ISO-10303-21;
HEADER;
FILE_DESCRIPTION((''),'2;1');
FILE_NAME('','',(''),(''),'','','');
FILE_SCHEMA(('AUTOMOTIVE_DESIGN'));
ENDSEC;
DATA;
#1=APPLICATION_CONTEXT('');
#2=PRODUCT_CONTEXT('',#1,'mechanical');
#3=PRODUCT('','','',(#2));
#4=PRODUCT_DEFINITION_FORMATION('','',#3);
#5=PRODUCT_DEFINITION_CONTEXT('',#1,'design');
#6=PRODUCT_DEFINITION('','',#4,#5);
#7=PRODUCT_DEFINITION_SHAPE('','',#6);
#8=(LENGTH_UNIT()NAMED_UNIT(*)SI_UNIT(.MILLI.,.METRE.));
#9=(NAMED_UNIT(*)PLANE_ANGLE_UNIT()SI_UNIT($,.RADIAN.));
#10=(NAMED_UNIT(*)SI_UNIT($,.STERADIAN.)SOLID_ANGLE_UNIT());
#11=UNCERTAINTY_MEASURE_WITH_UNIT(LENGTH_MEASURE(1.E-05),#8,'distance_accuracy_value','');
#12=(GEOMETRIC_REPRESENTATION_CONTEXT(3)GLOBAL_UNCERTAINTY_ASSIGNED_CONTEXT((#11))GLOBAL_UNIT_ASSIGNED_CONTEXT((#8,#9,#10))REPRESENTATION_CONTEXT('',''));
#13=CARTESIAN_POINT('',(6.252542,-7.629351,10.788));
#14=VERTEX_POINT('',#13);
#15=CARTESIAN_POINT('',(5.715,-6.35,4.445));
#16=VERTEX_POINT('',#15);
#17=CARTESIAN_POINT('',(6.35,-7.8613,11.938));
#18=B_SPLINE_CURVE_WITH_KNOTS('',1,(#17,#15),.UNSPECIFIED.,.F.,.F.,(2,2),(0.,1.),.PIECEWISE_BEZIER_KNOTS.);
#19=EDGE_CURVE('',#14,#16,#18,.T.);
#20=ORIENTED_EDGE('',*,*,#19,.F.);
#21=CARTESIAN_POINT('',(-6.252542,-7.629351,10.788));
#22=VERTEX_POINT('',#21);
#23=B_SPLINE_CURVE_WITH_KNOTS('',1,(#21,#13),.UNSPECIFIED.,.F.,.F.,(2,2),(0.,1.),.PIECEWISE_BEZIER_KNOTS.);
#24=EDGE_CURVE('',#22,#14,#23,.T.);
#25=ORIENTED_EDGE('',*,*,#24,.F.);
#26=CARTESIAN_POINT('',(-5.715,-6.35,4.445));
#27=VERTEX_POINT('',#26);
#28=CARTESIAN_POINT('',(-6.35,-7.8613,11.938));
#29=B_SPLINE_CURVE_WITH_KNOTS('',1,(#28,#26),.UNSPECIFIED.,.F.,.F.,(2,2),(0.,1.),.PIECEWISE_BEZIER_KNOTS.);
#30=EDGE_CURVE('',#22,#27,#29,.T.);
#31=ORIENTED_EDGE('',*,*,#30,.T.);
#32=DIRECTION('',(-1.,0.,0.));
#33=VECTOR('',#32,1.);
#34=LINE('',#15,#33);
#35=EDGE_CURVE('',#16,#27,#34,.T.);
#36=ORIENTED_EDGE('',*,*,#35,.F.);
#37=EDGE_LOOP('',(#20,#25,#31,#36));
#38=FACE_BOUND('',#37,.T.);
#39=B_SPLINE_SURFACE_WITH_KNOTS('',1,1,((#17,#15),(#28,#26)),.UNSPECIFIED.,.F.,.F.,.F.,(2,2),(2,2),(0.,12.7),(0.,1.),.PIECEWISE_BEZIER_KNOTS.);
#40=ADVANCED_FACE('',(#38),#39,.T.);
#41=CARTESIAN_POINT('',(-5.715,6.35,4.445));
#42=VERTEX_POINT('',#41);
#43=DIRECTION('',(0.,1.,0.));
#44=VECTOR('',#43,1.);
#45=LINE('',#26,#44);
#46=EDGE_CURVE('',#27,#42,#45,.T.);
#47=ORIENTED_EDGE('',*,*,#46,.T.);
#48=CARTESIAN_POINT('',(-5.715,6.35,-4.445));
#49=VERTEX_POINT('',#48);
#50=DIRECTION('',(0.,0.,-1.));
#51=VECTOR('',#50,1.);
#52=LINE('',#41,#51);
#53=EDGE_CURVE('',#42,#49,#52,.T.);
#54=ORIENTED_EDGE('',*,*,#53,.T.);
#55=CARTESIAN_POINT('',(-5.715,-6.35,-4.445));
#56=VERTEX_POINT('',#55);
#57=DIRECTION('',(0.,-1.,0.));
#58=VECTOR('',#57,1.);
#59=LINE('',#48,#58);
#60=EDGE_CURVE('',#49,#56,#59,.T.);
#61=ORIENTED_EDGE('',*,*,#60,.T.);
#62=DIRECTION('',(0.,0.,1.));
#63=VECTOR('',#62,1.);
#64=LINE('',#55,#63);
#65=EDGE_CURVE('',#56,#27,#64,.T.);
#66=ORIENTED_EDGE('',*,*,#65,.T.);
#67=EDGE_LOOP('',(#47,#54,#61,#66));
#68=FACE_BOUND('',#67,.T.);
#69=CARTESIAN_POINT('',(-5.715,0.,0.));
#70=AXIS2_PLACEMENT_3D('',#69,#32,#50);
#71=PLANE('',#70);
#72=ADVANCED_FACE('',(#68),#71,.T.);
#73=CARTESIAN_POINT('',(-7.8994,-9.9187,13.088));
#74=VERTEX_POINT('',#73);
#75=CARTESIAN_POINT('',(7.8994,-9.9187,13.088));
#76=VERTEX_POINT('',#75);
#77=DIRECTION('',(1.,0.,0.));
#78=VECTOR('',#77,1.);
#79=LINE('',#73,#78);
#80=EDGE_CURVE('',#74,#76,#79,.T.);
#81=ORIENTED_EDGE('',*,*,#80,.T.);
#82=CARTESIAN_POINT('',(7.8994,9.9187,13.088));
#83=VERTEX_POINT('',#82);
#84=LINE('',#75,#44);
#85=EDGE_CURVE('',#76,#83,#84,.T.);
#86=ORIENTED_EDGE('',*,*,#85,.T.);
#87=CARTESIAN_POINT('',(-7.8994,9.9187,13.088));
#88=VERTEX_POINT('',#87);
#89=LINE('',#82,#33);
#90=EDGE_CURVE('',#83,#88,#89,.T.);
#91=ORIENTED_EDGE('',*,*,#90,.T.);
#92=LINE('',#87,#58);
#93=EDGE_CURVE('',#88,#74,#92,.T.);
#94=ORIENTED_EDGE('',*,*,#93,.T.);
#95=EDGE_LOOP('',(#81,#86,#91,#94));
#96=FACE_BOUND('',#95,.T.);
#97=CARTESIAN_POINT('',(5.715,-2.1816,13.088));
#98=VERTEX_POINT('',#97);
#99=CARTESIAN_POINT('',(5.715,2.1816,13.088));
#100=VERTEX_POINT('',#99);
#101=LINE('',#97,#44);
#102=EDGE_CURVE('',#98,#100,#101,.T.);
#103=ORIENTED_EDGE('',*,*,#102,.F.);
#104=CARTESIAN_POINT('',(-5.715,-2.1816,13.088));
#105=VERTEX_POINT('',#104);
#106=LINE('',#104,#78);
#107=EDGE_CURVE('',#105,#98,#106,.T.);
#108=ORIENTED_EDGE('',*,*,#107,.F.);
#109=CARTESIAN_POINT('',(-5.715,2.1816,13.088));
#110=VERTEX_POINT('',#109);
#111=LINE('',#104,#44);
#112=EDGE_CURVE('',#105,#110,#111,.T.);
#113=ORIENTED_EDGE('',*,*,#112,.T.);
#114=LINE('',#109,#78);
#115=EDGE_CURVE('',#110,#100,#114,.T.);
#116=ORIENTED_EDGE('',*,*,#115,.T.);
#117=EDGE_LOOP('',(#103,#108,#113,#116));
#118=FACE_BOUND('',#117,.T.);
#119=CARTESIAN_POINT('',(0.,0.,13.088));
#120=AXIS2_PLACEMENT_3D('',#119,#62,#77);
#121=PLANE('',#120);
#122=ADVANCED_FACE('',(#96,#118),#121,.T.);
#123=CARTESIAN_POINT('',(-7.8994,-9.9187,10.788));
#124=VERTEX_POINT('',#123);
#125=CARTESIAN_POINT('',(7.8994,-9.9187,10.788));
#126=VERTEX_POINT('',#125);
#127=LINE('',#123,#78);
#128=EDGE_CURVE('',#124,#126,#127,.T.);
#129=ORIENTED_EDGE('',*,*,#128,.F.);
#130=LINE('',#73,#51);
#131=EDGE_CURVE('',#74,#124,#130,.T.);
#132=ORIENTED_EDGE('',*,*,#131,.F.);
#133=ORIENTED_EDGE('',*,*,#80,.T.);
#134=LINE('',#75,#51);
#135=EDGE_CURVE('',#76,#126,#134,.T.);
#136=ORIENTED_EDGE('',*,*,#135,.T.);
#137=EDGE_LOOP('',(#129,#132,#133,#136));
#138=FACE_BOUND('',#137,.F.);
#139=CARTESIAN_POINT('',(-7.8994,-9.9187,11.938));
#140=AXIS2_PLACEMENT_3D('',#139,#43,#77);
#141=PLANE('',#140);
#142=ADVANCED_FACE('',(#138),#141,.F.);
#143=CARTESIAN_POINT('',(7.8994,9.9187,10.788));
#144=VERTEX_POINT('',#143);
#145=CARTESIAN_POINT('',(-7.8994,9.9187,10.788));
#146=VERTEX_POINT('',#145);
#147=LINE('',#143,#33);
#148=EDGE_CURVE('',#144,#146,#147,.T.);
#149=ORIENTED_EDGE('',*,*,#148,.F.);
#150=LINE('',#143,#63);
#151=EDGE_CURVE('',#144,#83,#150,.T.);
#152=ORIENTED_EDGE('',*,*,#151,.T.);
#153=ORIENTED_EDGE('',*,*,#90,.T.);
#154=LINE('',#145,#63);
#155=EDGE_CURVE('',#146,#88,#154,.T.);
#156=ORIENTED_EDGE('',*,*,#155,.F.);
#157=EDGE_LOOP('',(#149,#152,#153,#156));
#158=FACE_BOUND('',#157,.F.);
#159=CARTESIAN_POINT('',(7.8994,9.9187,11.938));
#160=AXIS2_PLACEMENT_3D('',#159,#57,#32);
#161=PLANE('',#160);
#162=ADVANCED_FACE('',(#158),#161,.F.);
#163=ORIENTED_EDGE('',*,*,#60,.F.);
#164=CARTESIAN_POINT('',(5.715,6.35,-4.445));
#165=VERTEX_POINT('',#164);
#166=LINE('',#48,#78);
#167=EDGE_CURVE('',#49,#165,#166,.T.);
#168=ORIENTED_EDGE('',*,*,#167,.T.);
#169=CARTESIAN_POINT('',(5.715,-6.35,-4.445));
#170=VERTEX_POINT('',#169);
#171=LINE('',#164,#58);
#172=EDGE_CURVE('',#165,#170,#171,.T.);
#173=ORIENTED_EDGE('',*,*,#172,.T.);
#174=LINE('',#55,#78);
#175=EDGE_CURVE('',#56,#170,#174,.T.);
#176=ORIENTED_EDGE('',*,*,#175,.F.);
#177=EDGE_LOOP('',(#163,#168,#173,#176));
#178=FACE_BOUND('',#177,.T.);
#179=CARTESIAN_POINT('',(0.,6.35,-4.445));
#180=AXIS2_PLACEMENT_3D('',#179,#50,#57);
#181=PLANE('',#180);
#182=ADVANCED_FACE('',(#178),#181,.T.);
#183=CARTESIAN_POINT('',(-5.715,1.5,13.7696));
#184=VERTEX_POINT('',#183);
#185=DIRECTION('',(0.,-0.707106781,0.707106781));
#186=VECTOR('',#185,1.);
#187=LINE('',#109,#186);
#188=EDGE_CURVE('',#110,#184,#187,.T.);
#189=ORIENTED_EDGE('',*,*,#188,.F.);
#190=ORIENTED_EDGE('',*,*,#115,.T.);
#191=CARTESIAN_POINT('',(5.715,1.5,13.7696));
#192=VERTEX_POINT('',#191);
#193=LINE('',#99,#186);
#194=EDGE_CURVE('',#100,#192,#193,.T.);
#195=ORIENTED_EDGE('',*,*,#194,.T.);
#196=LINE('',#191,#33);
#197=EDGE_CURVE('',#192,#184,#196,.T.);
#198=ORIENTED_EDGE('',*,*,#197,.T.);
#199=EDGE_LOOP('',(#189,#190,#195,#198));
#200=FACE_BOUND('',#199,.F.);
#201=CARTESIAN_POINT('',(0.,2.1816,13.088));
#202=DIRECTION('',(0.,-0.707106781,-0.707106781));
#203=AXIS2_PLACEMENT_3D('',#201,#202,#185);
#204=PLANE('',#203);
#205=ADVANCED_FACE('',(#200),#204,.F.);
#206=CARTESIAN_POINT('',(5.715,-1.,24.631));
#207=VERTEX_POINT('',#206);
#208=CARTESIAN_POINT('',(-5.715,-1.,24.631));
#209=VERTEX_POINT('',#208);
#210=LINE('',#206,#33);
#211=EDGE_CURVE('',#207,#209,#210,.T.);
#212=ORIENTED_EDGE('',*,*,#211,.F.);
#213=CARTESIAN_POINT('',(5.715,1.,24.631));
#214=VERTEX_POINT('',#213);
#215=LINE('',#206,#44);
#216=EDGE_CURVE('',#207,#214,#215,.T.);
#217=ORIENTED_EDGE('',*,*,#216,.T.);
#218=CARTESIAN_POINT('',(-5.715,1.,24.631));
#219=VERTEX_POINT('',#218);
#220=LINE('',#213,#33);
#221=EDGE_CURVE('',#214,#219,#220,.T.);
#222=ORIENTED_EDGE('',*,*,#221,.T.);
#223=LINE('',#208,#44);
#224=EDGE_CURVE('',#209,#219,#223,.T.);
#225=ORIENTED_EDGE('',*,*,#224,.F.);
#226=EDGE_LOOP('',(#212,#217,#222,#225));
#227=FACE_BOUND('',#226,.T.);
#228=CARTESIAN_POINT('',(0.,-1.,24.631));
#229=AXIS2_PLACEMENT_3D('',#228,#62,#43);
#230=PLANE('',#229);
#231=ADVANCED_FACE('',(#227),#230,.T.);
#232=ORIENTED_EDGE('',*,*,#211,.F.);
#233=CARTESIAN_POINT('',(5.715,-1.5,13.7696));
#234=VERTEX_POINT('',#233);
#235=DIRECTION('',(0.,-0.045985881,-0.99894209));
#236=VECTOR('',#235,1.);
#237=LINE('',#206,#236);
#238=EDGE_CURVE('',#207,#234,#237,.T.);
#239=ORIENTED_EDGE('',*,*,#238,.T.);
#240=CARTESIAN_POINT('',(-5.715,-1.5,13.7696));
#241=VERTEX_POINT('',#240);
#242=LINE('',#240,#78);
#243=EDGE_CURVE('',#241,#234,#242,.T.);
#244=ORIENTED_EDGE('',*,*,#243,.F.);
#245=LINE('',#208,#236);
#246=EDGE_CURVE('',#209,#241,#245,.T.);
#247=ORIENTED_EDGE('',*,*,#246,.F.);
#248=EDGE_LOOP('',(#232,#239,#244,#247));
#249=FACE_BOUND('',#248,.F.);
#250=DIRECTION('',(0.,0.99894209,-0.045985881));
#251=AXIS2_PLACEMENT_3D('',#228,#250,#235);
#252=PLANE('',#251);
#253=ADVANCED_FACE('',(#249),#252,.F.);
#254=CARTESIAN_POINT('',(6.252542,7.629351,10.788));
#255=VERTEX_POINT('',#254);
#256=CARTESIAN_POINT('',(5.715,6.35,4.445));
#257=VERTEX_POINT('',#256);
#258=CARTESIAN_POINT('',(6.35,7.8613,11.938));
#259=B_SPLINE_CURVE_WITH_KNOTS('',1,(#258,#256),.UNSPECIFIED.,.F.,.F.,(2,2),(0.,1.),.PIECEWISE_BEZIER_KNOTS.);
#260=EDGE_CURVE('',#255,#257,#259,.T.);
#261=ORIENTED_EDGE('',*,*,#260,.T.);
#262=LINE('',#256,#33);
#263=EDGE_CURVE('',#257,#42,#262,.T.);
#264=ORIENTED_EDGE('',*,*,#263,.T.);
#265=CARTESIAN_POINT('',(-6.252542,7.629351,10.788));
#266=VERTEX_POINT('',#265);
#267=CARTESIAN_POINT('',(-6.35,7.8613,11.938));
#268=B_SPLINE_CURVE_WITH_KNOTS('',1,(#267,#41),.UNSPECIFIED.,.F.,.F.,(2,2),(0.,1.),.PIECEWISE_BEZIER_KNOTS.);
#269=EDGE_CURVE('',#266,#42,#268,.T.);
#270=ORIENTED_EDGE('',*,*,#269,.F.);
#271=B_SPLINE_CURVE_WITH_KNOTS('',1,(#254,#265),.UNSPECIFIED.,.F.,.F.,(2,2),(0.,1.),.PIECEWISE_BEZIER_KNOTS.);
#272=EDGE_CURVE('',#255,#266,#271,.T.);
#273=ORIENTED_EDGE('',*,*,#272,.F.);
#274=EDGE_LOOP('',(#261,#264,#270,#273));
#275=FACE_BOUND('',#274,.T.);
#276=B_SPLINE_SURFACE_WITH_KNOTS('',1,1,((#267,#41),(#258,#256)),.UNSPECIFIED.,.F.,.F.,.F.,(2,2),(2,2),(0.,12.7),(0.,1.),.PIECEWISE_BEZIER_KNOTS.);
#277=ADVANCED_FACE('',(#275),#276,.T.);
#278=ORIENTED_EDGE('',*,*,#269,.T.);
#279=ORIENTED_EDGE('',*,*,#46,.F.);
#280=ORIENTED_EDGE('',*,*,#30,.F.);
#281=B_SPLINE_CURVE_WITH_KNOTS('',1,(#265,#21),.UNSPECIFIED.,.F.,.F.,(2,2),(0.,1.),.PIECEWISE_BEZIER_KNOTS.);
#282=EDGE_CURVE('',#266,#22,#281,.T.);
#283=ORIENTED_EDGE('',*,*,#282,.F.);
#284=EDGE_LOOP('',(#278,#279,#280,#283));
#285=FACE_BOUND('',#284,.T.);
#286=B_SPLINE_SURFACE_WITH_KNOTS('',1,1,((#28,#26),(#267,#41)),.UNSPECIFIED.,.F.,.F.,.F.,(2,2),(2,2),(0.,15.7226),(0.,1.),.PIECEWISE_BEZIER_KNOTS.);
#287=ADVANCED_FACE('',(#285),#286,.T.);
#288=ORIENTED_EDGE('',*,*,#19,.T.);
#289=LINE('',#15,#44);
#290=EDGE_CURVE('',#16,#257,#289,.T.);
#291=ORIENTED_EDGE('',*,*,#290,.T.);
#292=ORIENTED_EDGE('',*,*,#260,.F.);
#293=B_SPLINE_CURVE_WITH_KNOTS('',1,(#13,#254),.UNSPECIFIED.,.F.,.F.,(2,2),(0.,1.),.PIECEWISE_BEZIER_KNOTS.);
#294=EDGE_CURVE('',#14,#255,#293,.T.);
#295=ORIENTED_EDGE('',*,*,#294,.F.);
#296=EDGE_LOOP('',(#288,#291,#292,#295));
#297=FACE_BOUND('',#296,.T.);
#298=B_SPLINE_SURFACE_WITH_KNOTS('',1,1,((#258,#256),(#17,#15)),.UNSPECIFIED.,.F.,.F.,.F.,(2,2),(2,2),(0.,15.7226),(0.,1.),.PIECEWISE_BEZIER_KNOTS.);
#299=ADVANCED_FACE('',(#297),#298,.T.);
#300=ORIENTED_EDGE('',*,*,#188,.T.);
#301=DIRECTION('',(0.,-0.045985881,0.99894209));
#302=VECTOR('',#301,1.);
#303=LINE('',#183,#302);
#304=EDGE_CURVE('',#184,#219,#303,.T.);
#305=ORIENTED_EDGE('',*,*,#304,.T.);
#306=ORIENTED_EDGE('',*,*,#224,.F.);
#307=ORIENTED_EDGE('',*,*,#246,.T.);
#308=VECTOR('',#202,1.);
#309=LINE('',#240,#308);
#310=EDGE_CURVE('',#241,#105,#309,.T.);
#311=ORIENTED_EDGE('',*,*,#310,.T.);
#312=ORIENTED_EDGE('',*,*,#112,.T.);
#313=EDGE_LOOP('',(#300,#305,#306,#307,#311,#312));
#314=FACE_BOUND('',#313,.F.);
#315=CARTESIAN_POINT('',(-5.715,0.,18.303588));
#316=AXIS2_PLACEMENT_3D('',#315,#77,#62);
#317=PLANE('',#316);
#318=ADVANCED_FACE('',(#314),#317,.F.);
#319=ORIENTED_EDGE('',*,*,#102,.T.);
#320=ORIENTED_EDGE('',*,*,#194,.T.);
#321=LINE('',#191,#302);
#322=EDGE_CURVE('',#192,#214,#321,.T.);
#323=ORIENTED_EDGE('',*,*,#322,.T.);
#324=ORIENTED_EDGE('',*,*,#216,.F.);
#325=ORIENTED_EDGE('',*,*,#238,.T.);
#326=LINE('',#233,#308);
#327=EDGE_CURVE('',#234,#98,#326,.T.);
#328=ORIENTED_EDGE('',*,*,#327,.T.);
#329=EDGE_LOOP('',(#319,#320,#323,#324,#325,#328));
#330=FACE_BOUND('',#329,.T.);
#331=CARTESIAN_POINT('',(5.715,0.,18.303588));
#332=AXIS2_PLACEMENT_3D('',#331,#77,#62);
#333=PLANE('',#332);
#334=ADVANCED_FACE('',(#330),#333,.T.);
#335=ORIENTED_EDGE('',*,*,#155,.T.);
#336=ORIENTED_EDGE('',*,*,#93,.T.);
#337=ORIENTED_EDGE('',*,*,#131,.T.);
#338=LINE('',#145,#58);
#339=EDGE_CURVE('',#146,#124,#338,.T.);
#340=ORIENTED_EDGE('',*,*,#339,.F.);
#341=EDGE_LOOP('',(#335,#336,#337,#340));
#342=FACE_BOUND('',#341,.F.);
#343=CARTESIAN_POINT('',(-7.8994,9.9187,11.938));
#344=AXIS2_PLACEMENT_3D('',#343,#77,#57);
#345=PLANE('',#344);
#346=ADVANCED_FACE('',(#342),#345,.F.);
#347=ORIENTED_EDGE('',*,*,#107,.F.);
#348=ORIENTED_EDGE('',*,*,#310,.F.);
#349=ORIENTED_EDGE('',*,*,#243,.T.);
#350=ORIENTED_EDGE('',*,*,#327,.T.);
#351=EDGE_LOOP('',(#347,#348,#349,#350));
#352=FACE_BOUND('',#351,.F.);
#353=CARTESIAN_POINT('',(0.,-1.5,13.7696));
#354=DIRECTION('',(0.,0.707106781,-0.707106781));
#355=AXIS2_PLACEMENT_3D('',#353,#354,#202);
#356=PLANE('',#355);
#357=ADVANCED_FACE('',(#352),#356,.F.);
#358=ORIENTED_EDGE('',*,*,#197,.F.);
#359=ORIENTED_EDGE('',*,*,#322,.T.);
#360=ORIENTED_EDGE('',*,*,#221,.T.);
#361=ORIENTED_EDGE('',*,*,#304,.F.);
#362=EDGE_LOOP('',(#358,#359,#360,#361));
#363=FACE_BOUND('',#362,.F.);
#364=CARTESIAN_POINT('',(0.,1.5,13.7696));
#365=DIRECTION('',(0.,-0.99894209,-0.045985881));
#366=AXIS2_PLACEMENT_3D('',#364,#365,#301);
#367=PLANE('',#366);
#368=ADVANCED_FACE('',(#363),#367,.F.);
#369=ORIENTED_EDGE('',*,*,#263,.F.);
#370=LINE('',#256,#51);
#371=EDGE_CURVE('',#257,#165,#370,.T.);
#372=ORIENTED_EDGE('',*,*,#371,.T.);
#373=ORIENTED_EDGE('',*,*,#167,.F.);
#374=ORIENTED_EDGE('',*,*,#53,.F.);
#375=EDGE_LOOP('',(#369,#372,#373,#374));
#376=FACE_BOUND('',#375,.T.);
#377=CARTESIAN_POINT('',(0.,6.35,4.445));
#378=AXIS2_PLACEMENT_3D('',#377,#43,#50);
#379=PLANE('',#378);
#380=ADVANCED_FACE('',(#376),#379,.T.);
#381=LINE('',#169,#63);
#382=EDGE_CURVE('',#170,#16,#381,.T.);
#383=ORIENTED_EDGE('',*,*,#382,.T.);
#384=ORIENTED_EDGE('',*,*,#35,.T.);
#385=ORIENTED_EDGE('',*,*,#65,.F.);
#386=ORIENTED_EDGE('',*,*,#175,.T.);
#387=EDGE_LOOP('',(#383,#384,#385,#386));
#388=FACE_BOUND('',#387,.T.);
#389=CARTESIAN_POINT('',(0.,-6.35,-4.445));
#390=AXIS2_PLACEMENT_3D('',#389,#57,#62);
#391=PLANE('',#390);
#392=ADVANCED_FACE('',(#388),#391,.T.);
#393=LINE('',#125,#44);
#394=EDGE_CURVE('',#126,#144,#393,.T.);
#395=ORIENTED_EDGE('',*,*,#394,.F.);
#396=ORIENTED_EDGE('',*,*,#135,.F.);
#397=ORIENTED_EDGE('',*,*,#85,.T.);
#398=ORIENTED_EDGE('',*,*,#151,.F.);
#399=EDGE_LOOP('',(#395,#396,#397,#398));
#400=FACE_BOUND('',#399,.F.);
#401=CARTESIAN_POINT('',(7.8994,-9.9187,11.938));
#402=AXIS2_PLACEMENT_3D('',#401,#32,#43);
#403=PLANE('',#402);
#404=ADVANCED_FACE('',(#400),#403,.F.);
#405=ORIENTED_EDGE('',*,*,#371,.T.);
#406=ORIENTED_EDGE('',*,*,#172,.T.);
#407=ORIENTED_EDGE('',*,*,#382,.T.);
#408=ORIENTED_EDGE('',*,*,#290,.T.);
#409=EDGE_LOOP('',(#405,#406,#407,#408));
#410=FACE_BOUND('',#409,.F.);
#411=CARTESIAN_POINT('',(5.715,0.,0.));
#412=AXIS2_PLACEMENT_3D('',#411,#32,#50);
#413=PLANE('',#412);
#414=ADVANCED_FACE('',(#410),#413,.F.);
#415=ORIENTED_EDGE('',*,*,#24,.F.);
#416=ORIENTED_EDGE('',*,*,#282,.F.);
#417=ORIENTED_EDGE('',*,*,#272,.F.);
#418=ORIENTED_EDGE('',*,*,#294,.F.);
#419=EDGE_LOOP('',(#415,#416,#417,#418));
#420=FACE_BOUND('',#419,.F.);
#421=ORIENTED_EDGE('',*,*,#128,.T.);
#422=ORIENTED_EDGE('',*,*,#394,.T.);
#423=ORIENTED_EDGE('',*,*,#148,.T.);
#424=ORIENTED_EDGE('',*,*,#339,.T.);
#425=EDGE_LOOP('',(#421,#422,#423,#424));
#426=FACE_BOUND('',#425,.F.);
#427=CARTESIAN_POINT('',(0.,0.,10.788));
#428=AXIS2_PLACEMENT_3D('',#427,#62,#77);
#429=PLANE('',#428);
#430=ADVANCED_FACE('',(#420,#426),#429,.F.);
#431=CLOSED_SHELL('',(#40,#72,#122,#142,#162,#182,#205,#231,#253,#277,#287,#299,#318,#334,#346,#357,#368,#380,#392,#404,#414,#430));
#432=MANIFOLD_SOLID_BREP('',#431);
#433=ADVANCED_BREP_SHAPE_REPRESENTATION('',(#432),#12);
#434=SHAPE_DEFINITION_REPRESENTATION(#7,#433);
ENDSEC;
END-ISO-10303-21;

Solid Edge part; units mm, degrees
sketch "Sketch1" plane through (0, 0, 0) normal (1, 0, 0) x (0, 1, 0)
  line L0 (-6.35, -4.445) -> (-6.35, 4.445)
  line L1 (-6.35, 4.445) -> (6.35, 4.445)
  line L2 (6.35, 4.445) -> (6.35, -4.445)
  line L3 (6.35, -4.445) -> (-6.35, -4.445)
extrude "Protrusion1" add sketch "Sketch1" along normal mid plane 11.43
sketch "Sketch2" plane through (0, 0, 11.938) normal (0, 0, 1) x (1, 0, 0)
  line L0 (6.35, -7.8613) -> (-6.35, -7.8613)
  line L1 (-6.35, -7.8613) -> (-6.35, 7.8613)
  line L2 (-6.35, 7.8613) -> (6.35, 7.8613)
  line L3 (6.35, 7.8613) -> (6.35, -7.8613)
  dimension "D1" = 12.7
  dimension "D2" = 15.7226
sketch "Sketch3" plane through (0, 0, 4.445) normal (0, 0, 1) x (0, -1, 0)
  line L0 (6.35, 5.715) -> (-6.35, 5.715)
  line L1 (-6.35, 5.715) -> (-6.35, -5.715)
  line L2 (6.35, -5.715) -> (-6.35, -5.715)
  line L3 (6.35, 5.715) -> (6.35, -5.715)
loft "LoftedProtrusion1" add profiles "Sketch2", "Sketch3"
sketch "Sketch4" plane through (0, 0, 11.938) normal (0, 0, 1) x (-1, 0, 0)
  line L0 (-7.8994, 9.9187) -> (-7.8994, -9.9187)
  line L1 (-7.8994, -9.9187) -> (7.8994, -9.9187)
  line L2 (7.8994, -9.9187) -> (7.8994, 9.9187)
  line L3 (7.8994, 9.9187) -> (-7.8994, 9.9187)
extrude "ExtrudedProtrusion_2" add sketch "Sketch4" along normal mid plane 2.3
sketch "Sketch5" plane through (0, 0, 0) normal (1, 0, 0) x (0, 1, 0)
  line L0 (-1, 24.631) -> (-1.5, 13.7696)
  line L1 (-1.5, 13.7696) -> (-2.1816, 13.088)
  line L2 (-2.1816, 13.088) -> (2.1816, 13.088)
  line L3 (2.1816, 13.088) -> (1.5, 13.7696)
  line L4 (1.5, 13.7696) -> (1, 24.631)
  line L5 (-1, 24.631) -> (1, 24.631)
extrude "ExtrudedProtrusion_3" add sketch "Sketch5" along normal mid plane 11.43
